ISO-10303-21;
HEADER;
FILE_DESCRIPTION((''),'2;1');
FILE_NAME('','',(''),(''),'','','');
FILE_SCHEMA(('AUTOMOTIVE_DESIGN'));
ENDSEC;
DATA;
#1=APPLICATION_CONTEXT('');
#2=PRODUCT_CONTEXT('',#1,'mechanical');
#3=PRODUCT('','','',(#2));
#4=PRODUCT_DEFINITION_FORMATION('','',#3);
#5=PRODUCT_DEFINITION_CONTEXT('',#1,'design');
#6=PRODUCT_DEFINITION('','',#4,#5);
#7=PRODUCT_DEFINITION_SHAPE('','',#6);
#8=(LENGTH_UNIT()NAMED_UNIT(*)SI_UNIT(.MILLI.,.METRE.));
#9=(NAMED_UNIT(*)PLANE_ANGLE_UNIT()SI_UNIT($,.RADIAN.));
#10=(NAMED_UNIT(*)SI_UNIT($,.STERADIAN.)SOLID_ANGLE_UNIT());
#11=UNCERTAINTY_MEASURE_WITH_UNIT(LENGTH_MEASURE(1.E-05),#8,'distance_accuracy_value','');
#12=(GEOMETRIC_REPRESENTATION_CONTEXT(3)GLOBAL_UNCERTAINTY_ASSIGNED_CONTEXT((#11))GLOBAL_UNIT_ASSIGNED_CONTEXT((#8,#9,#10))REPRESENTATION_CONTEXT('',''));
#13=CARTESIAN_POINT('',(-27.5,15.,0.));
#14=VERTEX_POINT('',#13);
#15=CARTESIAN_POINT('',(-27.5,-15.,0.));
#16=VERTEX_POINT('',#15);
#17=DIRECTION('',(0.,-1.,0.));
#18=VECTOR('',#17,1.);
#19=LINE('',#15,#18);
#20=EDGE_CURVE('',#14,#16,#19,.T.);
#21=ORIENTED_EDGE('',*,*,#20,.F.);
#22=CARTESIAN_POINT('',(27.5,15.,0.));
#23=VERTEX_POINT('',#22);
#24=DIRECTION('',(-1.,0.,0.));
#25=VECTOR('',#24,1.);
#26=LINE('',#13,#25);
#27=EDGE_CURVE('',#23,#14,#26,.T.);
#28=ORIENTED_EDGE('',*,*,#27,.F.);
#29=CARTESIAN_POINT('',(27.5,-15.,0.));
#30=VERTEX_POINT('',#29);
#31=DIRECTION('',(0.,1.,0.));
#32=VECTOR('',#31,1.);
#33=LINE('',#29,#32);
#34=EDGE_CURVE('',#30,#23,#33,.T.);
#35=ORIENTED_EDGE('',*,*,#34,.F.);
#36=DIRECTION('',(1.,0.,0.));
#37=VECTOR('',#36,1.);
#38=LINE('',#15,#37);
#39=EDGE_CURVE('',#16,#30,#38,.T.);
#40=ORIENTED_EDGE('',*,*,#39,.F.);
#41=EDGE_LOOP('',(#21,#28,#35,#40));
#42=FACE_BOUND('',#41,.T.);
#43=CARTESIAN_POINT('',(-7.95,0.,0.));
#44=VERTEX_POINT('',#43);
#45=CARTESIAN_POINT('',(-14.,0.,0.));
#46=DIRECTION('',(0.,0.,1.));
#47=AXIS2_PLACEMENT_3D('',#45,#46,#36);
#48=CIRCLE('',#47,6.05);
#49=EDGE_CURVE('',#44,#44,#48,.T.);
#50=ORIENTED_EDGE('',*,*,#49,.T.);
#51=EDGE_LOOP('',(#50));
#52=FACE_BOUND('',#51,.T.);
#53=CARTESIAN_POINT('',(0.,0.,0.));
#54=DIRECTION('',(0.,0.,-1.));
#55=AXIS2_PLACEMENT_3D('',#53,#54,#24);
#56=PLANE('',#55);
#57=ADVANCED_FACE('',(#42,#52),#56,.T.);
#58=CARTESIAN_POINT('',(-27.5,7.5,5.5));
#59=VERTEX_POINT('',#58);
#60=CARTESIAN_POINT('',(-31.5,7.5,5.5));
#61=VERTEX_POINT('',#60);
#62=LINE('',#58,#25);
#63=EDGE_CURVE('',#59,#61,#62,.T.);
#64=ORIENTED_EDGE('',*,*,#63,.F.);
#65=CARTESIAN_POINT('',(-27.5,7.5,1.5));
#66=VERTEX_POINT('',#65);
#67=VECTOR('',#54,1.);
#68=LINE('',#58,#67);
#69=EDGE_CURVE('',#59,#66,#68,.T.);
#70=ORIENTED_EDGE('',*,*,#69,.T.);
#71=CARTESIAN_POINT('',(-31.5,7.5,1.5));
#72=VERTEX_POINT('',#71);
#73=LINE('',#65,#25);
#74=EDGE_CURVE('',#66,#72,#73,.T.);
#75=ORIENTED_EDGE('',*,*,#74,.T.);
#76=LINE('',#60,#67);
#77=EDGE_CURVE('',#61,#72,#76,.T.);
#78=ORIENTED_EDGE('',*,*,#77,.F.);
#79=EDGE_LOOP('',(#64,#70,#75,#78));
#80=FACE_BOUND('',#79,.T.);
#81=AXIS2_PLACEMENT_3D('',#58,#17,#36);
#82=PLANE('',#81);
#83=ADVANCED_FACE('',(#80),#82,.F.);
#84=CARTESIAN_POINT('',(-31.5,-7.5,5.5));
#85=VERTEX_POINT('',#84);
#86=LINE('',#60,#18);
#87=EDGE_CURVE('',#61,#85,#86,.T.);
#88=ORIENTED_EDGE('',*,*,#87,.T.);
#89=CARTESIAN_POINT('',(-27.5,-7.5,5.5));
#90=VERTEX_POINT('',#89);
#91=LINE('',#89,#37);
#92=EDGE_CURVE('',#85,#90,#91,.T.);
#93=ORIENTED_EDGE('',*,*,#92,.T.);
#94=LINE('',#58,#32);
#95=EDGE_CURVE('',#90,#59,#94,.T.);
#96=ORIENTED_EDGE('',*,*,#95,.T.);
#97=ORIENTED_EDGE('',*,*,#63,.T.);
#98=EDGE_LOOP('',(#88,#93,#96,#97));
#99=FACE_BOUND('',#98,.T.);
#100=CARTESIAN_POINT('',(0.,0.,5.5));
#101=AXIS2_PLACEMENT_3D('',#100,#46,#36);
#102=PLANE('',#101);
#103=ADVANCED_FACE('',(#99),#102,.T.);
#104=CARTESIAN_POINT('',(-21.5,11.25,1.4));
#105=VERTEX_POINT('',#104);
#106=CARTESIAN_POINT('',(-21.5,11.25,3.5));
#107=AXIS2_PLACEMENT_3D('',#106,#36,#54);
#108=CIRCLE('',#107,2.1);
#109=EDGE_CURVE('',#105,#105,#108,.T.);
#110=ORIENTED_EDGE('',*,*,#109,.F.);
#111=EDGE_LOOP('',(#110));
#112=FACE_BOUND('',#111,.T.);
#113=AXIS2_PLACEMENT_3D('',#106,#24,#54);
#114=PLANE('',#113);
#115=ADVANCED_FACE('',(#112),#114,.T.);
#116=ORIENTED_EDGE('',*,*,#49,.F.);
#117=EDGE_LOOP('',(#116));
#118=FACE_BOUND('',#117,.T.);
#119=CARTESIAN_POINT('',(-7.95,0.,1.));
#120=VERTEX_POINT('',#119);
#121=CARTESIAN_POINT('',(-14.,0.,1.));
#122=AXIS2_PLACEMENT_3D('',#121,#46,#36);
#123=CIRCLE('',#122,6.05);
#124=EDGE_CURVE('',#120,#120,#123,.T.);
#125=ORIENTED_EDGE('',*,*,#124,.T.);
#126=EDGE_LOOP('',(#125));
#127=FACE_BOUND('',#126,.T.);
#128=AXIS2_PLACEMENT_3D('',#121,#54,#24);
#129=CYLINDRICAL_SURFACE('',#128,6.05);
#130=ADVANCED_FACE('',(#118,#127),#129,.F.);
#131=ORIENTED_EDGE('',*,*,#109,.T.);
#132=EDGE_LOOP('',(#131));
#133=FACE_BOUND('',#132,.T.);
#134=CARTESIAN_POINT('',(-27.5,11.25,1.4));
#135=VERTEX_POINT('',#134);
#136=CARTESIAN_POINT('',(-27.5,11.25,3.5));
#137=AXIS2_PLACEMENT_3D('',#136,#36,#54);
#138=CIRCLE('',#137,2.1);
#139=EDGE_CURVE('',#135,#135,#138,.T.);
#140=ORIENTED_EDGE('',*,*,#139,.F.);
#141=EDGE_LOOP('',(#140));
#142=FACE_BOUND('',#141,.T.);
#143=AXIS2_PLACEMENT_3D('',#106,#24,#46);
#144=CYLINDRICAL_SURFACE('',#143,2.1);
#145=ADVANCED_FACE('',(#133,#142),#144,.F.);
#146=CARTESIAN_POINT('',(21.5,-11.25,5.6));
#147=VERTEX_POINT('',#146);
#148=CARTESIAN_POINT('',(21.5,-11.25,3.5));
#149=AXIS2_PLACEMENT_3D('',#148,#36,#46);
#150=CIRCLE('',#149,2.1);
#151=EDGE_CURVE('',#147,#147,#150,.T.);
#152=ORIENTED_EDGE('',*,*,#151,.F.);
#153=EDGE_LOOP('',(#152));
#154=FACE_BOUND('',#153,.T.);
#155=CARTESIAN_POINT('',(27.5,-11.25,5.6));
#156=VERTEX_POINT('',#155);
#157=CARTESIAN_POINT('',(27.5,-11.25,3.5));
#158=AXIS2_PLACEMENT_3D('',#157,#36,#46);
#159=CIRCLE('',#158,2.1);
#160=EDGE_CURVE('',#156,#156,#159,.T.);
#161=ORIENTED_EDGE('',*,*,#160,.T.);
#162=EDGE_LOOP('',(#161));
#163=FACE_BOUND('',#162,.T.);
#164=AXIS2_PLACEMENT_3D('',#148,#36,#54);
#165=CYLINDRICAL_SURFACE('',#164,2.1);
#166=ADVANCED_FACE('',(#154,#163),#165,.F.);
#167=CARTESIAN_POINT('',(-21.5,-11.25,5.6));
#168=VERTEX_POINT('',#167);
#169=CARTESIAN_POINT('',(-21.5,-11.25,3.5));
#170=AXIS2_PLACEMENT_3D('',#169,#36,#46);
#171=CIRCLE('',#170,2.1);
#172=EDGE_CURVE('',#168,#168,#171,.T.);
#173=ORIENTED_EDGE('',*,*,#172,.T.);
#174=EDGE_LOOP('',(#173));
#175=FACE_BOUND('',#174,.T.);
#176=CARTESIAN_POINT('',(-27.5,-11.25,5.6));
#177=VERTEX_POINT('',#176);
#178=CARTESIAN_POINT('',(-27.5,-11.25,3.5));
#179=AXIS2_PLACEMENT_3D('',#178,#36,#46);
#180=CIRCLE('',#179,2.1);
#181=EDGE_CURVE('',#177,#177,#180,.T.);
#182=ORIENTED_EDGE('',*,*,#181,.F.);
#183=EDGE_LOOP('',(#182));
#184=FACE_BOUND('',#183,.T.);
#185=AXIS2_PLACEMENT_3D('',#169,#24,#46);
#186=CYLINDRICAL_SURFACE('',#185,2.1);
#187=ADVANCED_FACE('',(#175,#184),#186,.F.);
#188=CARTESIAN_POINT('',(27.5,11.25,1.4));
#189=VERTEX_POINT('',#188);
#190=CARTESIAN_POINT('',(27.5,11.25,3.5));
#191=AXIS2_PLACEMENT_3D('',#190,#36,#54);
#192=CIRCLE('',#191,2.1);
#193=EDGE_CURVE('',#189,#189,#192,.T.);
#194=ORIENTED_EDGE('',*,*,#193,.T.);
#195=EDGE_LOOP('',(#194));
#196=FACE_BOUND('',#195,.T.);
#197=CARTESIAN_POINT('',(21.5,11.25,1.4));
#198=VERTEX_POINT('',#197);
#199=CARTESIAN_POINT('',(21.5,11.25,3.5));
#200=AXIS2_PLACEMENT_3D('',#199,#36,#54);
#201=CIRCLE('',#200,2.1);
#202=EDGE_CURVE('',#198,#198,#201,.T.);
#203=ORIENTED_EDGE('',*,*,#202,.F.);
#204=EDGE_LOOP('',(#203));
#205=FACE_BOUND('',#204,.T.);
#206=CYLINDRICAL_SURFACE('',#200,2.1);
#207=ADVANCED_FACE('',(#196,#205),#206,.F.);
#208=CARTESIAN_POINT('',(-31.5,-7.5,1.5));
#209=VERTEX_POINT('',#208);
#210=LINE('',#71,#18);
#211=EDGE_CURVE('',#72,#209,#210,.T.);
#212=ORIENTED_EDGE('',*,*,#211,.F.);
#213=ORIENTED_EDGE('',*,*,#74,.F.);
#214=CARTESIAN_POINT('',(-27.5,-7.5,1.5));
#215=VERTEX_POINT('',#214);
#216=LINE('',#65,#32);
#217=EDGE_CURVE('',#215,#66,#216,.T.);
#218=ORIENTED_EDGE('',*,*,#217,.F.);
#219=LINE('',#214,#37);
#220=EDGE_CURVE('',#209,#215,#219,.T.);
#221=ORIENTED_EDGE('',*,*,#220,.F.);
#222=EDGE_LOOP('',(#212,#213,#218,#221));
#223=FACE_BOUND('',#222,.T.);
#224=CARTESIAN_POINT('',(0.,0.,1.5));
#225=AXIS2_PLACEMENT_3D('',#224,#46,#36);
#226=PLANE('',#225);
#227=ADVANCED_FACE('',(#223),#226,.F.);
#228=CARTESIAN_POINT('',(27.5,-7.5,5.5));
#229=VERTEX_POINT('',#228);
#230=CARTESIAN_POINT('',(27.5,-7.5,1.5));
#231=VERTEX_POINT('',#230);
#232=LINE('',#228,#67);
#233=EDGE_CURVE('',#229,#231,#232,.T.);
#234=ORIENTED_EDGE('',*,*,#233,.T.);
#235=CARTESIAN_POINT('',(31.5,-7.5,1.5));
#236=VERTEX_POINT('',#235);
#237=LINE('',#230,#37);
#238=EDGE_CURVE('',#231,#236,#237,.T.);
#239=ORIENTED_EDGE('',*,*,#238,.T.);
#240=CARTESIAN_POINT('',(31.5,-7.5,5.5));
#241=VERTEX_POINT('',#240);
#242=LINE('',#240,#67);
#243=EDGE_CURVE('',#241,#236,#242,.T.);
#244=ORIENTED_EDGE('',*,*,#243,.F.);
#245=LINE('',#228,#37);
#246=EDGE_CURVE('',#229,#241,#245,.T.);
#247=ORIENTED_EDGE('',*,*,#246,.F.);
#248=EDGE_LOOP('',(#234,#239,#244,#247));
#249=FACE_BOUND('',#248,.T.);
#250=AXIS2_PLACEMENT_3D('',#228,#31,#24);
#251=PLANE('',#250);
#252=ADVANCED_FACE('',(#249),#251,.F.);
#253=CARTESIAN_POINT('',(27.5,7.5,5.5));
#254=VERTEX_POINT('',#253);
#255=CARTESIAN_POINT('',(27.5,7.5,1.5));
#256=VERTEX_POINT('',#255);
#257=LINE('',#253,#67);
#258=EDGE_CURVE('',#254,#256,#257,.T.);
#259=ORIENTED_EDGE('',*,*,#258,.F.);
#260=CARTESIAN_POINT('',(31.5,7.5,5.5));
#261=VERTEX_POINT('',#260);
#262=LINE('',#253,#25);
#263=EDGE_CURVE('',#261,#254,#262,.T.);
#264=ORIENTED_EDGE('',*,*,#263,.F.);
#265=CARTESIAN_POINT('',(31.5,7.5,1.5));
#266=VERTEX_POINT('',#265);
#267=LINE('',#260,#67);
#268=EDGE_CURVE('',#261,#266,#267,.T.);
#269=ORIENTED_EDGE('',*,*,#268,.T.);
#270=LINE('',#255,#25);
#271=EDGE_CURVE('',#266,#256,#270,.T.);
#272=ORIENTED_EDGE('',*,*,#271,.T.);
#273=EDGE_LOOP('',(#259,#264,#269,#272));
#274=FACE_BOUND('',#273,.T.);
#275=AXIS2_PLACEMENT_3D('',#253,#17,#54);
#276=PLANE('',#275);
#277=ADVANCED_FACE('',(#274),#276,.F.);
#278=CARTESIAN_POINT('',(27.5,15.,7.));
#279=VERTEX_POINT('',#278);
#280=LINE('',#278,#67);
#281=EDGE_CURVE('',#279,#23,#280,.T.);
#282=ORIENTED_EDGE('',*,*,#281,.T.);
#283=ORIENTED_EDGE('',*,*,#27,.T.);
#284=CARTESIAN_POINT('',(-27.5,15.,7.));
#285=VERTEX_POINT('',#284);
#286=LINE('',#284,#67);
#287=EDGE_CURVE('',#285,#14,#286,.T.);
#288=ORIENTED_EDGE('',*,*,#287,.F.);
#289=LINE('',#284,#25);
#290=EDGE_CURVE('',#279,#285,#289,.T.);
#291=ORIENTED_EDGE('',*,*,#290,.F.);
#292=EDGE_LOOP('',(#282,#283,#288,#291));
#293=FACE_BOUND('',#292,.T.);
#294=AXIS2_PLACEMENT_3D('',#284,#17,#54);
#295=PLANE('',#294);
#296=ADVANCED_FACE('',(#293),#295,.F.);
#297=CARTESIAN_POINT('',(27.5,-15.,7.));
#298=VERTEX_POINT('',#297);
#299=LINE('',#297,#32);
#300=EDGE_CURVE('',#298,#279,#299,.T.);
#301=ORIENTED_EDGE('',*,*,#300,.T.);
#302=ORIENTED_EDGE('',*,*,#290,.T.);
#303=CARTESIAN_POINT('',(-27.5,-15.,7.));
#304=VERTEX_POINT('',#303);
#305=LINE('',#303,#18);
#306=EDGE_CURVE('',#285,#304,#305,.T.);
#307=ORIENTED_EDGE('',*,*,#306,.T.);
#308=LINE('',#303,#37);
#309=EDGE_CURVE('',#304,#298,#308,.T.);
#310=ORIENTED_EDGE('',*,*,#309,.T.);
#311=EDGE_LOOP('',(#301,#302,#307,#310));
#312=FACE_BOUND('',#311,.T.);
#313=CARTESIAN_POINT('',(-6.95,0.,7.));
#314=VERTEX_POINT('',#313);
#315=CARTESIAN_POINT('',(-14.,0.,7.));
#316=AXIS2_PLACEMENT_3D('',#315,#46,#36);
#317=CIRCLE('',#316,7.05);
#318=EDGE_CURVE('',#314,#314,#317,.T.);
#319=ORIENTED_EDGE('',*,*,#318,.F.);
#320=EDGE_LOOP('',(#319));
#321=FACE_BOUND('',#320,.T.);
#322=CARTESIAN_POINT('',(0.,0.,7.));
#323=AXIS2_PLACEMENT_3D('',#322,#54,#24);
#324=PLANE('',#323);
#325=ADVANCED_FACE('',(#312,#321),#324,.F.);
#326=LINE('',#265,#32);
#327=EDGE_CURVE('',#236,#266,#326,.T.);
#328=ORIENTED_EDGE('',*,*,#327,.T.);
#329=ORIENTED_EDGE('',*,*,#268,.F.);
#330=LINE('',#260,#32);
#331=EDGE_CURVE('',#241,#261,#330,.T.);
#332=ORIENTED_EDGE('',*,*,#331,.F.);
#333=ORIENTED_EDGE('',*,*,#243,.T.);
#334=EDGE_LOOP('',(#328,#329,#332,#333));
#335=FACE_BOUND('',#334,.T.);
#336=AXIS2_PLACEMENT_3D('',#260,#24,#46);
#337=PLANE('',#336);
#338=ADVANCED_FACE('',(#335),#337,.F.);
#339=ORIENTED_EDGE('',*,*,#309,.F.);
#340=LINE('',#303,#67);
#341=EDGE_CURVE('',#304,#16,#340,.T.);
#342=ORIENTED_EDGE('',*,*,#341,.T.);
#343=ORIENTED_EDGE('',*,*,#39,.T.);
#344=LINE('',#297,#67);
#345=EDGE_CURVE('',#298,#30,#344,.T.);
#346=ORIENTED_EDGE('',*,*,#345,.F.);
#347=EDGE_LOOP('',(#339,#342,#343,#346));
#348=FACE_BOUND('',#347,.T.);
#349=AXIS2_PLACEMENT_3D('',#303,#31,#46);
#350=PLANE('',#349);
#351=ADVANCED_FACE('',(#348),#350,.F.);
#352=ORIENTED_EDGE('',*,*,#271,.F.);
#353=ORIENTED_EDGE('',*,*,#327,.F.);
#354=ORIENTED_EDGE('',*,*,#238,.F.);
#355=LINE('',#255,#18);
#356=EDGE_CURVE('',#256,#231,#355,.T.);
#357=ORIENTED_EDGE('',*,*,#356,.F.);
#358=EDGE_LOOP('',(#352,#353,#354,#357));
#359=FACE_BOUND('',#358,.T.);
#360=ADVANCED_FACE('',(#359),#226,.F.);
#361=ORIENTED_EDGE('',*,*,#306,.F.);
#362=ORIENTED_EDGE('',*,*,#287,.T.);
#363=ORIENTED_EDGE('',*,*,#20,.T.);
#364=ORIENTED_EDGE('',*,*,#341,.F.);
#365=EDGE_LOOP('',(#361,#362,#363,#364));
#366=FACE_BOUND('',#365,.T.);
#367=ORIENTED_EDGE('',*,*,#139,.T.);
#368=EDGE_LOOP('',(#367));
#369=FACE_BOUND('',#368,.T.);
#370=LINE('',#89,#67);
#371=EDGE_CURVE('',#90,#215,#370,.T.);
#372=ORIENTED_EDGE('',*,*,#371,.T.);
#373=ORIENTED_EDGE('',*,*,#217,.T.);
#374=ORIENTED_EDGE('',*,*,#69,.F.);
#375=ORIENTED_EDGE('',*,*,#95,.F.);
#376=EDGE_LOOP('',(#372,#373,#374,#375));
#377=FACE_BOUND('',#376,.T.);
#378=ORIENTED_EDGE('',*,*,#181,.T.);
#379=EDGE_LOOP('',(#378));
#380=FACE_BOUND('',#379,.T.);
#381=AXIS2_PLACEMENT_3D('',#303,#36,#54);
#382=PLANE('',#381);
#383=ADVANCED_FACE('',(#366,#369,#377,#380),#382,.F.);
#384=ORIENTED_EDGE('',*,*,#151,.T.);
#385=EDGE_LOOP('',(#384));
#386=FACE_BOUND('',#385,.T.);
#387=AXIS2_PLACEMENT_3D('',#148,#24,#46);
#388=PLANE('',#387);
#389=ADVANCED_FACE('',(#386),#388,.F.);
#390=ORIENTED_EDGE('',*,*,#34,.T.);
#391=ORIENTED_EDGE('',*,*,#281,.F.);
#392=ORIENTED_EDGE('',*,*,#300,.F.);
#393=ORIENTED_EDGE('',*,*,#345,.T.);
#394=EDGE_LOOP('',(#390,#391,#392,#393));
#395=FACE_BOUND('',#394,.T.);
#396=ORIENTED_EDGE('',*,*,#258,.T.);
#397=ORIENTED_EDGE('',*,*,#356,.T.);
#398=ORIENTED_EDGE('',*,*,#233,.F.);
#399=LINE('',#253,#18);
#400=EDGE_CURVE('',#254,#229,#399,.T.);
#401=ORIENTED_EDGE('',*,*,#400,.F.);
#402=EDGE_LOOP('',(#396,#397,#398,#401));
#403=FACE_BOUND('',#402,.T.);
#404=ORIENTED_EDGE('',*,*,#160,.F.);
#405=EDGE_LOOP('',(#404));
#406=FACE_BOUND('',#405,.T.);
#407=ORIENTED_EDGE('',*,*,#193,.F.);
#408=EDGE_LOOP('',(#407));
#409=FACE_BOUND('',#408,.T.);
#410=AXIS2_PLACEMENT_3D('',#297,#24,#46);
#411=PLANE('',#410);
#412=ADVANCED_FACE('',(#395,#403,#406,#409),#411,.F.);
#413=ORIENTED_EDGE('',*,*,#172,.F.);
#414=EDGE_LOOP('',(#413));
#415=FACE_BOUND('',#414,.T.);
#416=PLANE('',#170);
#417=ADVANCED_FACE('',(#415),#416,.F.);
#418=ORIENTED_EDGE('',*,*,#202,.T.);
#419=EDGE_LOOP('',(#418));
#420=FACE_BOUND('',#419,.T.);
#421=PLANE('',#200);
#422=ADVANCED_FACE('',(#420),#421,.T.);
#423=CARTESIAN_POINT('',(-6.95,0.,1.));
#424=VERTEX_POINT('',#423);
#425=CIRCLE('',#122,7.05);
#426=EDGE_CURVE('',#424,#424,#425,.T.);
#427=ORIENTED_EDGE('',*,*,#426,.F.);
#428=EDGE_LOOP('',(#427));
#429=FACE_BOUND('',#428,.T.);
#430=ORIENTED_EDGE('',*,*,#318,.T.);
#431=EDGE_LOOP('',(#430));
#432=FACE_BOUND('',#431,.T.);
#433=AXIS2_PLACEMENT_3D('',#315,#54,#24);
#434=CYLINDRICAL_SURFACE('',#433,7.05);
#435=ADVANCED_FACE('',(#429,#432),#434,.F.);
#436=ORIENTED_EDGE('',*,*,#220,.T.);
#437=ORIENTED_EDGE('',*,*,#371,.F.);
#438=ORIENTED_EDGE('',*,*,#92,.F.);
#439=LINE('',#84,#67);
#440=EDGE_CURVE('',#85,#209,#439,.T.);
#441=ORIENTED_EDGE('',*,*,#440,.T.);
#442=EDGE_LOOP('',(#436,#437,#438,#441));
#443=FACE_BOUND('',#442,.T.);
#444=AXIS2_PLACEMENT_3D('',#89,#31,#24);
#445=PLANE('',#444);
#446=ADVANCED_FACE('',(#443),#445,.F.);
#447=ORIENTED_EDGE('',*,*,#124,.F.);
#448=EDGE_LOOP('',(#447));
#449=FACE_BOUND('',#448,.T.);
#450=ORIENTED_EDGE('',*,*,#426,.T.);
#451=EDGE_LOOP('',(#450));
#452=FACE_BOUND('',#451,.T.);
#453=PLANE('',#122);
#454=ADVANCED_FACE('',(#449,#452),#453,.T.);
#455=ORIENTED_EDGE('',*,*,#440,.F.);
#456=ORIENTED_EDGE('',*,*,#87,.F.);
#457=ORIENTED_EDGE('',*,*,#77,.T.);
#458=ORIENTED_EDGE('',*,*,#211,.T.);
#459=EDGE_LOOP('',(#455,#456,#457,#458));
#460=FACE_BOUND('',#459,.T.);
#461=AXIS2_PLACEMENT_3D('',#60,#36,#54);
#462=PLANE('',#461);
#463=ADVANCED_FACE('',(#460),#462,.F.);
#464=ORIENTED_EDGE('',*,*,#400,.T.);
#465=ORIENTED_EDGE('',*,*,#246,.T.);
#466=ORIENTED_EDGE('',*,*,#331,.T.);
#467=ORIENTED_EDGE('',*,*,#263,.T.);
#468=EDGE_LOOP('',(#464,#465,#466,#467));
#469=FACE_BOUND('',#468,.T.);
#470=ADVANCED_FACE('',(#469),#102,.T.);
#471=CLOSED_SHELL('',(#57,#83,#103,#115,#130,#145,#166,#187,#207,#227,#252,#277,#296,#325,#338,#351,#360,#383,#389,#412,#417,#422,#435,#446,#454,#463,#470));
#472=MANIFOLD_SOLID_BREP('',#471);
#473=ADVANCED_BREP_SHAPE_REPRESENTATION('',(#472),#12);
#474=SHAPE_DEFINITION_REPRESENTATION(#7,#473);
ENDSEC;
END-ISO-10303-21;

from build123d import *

# Parameters (mm, degrees)
SKETCH_1_W          = 55
SKETCH_1_H          = 30
SKETCH_1_R          = 7.05
EXTRUDE_1_DEPTH     = 7
SKETCH_2_R          = 7.05
SKETCH_2_R_2        = 6.05
EXTRUDE_2_DEPTH     = 1
EXTRUDE_START       = 1.5
SKETCH_3_W          = 4
SKETCH_3_H          = 15
EXTRUDE_3_DEPTH     = 4
SKETCH_4_R          = 2.1
CUT_EXTRUDE_1_DEPTH = 6


with BuildPart() as part:
    # Эскиз1 → Бобышка-Вытянуть1 (new body)
    with BuildSketch(Plane.XY):
        Rectangle(SKETCH_1_W, SKETCH_1_H)
        with Locations((-14, 0)):
            Circle(SKETCH_1_R, mode=Mode.SUBTRACT)
    extrude(amount=EXTRUDE_1_DEPTH)

    # Эскиз2 → Бобышка-Вытянуть2 (add)
    with BuildSketch(Plane.XY):
        with Locations((-14, 0)):
            Circle(SKETCH_2_R)
        with Locations((-14, 0)):
            Circle(SKETCH_2_R_2, mode=Mode.SUBTRACT)
    extrude(amount=EXTRUDE_2_DEPTH)

    # Эскиз3 → Бобышка-Вытянуть3 (add)
    with BuildSketch(Plane.XY.offset(EXTRUDE_START)):
        with Locations((29.5, 0)):
            Rectangle(SKETCH_3_W, SKETCH_3_H)
        with Locations((-29.5, 0)):
            Rectangle(SKETCH_3_W, SKETCH_3_H)
    extrude(amount=EXTRUDE_3_DEPTH)

    # Эскиз4 → Вырез-Вытянуть1 (cut)
    with BuildSketch(Plane(origin=(27.5, 0, 0), x_dir=(0, 0, -1), z_dir=(1, 0, 0))):
        with Locations((-3.5, 11.25)):
            Circle(SKETCH_4_R)
        with Locations(Location((-3.5, -11.25, 0), (0, 0, 180))):
            Circle(SKETCH_4_R)
    cut_extrude_1 = extrude(amount=-CUT_EXTRUDE_1_DEPTH, mode=Mode.SUBTRACT)

    # Зеркальное отражение1: Вырез-Вытянуть1 across plane
    add(cut_extrude_1.mirror(Plane(origin=(0, 0, 0), x_dir=(0, 0, 1), z_dir=(1, 0, 0))), mode=Mode.SUBTRACT)


solid = part.part
